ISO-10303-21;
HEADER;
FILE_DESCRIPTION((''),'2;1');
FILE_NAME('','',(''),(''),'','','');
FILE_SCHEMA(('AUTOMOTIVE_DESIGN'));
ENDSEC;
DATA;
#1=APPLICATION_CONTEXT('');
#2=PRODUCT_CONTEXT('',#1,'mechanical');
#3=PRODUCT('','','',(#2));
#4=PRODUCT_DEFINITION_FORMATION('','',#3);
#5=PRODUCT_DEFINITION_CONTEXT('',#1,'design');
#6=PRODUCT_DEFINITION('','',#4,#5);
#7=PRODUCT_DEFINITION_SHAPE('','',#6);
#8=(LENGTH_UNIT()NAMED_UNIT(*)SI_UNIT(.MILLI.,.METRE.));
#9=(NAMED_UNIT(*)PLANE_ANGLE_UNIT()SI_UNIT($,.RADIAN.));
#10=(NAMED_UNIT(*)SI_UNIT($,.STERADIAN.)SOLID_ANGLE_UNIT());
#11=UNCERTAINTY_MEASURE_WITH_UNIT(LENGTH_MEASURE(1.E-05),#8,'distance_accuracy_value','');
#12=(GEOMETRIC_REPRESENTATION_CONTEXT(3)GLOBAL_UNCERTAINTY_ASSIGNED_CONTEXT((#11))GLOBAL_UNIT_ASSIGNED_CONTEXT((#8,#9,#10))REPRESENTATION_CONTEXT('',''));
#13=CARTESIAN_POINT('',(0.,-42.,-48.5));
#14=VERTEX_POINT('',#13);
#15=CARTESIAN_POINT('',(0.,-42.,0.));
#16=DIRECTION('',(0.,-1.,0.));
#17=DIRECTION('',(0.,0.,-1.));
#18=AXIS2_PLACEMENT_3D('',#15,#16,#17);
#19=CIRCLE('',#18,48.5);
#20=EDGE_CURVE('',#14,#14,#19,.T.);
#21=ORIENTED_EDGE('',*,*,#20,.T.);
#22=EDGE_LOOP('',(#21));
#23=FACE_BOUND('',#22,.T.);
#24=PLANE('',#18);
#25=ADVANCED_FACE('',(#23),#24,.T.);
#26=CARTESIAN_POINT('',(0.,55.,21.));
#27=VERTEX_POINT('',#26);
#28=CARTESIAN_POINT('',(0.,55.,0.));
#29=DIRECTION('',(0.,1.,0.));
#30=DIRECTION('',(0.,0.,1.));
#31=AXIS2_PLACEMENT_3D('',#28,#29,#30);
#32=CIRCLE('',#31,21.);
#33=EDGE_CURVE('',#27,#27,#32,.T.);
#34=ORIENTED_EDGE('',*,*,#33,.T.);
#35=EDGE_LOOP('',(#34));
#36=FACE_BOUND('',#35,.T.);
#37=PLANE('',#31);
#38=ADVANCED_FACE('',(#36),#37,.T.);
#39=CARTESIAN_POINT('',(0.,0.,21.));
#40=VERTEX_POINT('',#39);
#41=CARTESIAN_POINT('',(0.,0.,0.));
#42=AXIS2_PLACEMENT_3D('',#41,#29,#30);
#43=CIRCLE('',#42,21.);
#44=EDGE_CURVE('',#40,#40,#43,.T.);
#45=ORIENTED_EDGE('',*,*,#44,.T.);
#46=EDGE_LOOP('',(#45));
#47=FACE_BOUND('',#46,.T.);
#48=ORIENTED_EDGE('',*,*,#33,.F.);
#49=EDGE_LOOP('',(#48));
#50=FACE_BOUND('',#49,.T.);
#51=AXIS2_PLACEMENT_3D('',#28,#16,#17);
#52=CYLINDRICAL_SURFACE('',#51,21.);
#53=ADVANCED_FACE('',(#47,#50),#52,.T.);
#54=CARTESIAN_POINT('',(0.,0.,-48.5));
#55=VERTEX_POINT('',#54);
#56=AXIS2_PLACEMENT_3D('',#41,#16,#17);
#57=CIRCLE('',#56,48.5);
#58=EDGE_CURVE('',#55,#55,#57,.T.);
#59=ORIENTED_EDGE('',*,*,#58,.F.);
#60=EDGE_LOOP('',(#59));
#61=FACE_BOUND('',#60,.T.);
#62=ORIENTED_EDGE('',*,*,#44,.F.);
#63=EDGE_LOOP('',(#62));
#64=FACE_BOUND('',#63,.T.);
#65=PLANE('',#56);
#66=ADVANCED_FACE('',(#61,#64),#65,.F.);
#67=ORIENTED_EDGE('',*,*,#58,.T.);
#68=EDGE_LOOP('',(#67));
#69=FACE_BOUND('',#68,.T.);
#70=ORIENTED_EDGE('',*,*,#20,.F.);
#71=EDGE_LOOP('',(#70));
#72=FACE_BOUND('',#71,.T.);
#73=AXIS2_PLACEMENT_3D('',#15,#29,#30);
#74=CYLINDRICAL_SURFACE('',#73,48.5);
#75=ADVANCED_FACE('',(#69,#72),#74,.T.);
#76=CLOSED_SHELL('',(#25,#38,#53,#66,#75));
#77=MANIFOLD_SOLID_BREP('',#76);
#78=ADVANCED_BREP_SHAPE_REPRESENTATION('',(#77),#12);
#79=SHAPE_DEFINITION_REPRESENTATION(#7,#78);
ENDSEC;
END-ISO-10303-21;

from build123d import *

# Parameters (mm, degrees)
SKETCH1_R           = 21
BOSS_EXTRUDE1_DEPTH = 55
SKETCH2_R           = 48.5
BOSS_EXTRUDE2_DEPTH = 42


with BuildPart() as part:
    # Sketch1 → Boss-Extrude1 (new body)
    with BuildSketch(Plane(origin=(0, 0, 0), x_dir=(1, 0, 0), z_dir=(0, 1, 0))):
        Circle(SKETCH1_R)
    extrude(amount=BOSS_EXTRUDE1_DEPTH)

    # Sketch2 → Boss-Extrude2 (add)
    with BuildSketch(Plane.XZ):
        Circle(SKETCH2_R)
    extrude(amount=BOSS_EXTRUDE2_DEPTH)


solid = part.part
